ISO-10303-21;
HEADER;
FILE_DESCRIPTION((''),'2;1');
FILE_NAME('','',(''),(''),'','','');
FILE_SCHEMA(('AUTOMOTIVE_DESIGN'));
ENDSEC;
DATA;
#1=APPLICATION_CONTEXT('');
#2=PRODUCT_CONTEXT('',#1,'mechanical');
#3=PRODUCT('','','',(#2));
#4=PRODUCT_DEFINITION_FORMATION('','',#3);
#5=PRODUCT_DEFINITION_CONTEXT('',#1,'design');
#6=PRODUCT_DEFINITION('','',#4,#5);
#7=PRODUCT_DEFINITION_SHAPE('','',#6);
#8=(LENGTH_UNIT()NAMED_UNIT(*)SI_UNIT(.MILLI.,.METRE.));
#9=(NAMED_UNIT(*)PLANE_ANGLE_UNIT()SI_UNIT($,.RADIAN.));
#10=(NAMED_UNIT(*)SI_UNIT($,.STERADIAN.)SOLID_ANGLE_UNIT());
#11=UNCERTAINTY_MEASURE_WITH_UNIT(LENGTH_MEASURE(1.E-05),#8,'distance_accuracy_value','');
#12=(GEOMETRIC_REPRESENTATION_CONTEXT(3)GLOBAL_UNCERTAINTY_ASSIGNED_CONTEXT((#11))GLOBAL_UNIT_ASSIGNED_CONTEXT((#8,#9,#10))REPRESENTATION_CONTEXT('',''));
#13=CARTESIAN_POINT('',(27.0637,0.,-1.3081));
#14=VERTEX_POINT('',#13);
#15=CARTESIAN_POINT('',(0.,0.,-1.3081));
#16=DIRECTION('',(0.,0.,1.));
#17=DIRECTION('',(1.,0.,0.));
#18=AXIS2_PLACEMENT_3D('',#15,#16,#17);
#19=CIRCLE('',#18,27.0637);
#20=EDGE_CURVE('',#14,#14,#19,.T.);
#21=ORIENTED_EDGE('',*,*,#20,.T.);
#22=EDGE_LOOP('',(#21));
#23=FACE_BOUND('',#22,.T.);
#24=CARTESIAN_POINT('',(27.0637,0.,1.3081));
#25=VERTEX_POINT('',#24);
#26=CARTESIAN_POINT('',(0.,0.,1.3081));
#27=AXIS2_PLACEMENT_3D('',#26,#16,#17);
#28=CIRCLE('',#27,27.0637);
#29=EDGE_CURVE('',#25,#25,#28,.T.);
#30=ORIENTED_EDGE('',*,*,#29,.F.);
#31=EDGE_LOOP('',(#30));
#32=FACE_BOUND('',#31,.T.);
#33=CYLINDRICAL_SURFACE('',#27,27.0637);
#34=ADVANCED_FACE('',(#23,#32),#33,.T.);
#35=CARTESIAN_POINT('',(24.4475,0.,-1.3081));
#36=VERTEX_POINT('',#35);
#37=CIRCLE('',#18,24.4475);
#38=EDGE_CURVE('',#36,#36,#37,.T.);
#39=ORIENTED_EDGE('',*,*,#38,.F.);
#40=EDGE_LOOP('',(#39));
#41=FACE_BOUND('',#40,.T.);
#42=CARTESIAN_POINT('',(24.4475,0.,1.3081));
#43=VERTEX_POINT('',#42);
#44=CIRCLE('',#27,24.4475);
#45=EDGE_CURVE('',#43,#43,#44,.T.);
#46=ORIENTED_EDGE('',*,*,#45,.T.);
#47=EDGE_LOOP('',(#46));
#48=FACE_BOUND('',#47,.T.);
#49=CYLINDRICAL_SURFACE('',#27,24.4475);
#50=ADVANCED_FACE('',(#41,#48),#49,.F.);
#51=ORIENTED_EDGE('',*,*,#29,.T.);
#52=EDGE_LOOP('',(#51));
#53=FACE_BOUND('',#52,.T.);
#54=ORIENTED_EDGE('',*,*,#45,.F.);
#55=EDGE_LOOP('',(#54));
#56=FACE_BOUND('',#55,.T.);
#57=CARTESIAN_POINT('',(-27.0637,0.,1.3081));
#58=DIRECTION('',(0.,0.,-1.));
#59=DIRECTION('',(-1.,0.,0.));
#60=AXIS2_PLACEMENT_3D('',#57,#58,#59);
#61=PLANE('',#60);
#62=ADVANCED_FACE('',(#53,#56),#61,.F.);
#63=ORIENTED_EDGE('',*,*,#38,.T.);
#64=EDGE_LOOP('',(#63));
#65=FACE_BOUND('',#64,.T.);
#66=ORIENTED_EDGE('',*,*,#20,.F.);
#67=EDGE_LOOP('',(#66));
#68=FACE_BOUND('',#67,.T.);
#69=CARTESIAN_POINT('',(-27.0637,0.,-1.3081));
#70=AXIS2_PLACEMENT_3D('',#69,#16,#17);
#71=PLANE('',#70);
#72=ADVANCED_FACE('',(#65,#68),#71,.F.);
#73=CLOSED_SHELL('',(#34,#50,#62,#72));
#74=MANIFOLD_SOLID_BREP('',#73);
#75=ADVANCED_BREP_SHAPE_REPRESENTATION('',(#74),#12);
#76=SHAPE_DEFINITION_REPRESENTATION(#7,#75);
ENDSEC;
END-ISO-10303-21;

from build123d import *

# Parameters (mm, degrees)
SKETCH2_W = 2.6162
SKETCH2_H = 2.6162


with BuildPart() as part:
    # Sketch2 → Revolve1 (revolve)
    with BuildSketch(Plane(origin=(0, 0, 0), x_dir=(1, 0, 0), z_dir=(0, 1, 0)), mode=Mode.PRIVATE) as revolve1_sk:
        with Locations((-25.7556, 0)):
            Rectangle(SKETCH2_W, SKETCH2_H)
    revolve(revolve1_sk.sketch.rotate(Axis((0, 0, 1.3081), (0, 0, -1)), 180), axis=Axis((0, 0, 1.3081), (0, 0, -1)))


solid = part.part
